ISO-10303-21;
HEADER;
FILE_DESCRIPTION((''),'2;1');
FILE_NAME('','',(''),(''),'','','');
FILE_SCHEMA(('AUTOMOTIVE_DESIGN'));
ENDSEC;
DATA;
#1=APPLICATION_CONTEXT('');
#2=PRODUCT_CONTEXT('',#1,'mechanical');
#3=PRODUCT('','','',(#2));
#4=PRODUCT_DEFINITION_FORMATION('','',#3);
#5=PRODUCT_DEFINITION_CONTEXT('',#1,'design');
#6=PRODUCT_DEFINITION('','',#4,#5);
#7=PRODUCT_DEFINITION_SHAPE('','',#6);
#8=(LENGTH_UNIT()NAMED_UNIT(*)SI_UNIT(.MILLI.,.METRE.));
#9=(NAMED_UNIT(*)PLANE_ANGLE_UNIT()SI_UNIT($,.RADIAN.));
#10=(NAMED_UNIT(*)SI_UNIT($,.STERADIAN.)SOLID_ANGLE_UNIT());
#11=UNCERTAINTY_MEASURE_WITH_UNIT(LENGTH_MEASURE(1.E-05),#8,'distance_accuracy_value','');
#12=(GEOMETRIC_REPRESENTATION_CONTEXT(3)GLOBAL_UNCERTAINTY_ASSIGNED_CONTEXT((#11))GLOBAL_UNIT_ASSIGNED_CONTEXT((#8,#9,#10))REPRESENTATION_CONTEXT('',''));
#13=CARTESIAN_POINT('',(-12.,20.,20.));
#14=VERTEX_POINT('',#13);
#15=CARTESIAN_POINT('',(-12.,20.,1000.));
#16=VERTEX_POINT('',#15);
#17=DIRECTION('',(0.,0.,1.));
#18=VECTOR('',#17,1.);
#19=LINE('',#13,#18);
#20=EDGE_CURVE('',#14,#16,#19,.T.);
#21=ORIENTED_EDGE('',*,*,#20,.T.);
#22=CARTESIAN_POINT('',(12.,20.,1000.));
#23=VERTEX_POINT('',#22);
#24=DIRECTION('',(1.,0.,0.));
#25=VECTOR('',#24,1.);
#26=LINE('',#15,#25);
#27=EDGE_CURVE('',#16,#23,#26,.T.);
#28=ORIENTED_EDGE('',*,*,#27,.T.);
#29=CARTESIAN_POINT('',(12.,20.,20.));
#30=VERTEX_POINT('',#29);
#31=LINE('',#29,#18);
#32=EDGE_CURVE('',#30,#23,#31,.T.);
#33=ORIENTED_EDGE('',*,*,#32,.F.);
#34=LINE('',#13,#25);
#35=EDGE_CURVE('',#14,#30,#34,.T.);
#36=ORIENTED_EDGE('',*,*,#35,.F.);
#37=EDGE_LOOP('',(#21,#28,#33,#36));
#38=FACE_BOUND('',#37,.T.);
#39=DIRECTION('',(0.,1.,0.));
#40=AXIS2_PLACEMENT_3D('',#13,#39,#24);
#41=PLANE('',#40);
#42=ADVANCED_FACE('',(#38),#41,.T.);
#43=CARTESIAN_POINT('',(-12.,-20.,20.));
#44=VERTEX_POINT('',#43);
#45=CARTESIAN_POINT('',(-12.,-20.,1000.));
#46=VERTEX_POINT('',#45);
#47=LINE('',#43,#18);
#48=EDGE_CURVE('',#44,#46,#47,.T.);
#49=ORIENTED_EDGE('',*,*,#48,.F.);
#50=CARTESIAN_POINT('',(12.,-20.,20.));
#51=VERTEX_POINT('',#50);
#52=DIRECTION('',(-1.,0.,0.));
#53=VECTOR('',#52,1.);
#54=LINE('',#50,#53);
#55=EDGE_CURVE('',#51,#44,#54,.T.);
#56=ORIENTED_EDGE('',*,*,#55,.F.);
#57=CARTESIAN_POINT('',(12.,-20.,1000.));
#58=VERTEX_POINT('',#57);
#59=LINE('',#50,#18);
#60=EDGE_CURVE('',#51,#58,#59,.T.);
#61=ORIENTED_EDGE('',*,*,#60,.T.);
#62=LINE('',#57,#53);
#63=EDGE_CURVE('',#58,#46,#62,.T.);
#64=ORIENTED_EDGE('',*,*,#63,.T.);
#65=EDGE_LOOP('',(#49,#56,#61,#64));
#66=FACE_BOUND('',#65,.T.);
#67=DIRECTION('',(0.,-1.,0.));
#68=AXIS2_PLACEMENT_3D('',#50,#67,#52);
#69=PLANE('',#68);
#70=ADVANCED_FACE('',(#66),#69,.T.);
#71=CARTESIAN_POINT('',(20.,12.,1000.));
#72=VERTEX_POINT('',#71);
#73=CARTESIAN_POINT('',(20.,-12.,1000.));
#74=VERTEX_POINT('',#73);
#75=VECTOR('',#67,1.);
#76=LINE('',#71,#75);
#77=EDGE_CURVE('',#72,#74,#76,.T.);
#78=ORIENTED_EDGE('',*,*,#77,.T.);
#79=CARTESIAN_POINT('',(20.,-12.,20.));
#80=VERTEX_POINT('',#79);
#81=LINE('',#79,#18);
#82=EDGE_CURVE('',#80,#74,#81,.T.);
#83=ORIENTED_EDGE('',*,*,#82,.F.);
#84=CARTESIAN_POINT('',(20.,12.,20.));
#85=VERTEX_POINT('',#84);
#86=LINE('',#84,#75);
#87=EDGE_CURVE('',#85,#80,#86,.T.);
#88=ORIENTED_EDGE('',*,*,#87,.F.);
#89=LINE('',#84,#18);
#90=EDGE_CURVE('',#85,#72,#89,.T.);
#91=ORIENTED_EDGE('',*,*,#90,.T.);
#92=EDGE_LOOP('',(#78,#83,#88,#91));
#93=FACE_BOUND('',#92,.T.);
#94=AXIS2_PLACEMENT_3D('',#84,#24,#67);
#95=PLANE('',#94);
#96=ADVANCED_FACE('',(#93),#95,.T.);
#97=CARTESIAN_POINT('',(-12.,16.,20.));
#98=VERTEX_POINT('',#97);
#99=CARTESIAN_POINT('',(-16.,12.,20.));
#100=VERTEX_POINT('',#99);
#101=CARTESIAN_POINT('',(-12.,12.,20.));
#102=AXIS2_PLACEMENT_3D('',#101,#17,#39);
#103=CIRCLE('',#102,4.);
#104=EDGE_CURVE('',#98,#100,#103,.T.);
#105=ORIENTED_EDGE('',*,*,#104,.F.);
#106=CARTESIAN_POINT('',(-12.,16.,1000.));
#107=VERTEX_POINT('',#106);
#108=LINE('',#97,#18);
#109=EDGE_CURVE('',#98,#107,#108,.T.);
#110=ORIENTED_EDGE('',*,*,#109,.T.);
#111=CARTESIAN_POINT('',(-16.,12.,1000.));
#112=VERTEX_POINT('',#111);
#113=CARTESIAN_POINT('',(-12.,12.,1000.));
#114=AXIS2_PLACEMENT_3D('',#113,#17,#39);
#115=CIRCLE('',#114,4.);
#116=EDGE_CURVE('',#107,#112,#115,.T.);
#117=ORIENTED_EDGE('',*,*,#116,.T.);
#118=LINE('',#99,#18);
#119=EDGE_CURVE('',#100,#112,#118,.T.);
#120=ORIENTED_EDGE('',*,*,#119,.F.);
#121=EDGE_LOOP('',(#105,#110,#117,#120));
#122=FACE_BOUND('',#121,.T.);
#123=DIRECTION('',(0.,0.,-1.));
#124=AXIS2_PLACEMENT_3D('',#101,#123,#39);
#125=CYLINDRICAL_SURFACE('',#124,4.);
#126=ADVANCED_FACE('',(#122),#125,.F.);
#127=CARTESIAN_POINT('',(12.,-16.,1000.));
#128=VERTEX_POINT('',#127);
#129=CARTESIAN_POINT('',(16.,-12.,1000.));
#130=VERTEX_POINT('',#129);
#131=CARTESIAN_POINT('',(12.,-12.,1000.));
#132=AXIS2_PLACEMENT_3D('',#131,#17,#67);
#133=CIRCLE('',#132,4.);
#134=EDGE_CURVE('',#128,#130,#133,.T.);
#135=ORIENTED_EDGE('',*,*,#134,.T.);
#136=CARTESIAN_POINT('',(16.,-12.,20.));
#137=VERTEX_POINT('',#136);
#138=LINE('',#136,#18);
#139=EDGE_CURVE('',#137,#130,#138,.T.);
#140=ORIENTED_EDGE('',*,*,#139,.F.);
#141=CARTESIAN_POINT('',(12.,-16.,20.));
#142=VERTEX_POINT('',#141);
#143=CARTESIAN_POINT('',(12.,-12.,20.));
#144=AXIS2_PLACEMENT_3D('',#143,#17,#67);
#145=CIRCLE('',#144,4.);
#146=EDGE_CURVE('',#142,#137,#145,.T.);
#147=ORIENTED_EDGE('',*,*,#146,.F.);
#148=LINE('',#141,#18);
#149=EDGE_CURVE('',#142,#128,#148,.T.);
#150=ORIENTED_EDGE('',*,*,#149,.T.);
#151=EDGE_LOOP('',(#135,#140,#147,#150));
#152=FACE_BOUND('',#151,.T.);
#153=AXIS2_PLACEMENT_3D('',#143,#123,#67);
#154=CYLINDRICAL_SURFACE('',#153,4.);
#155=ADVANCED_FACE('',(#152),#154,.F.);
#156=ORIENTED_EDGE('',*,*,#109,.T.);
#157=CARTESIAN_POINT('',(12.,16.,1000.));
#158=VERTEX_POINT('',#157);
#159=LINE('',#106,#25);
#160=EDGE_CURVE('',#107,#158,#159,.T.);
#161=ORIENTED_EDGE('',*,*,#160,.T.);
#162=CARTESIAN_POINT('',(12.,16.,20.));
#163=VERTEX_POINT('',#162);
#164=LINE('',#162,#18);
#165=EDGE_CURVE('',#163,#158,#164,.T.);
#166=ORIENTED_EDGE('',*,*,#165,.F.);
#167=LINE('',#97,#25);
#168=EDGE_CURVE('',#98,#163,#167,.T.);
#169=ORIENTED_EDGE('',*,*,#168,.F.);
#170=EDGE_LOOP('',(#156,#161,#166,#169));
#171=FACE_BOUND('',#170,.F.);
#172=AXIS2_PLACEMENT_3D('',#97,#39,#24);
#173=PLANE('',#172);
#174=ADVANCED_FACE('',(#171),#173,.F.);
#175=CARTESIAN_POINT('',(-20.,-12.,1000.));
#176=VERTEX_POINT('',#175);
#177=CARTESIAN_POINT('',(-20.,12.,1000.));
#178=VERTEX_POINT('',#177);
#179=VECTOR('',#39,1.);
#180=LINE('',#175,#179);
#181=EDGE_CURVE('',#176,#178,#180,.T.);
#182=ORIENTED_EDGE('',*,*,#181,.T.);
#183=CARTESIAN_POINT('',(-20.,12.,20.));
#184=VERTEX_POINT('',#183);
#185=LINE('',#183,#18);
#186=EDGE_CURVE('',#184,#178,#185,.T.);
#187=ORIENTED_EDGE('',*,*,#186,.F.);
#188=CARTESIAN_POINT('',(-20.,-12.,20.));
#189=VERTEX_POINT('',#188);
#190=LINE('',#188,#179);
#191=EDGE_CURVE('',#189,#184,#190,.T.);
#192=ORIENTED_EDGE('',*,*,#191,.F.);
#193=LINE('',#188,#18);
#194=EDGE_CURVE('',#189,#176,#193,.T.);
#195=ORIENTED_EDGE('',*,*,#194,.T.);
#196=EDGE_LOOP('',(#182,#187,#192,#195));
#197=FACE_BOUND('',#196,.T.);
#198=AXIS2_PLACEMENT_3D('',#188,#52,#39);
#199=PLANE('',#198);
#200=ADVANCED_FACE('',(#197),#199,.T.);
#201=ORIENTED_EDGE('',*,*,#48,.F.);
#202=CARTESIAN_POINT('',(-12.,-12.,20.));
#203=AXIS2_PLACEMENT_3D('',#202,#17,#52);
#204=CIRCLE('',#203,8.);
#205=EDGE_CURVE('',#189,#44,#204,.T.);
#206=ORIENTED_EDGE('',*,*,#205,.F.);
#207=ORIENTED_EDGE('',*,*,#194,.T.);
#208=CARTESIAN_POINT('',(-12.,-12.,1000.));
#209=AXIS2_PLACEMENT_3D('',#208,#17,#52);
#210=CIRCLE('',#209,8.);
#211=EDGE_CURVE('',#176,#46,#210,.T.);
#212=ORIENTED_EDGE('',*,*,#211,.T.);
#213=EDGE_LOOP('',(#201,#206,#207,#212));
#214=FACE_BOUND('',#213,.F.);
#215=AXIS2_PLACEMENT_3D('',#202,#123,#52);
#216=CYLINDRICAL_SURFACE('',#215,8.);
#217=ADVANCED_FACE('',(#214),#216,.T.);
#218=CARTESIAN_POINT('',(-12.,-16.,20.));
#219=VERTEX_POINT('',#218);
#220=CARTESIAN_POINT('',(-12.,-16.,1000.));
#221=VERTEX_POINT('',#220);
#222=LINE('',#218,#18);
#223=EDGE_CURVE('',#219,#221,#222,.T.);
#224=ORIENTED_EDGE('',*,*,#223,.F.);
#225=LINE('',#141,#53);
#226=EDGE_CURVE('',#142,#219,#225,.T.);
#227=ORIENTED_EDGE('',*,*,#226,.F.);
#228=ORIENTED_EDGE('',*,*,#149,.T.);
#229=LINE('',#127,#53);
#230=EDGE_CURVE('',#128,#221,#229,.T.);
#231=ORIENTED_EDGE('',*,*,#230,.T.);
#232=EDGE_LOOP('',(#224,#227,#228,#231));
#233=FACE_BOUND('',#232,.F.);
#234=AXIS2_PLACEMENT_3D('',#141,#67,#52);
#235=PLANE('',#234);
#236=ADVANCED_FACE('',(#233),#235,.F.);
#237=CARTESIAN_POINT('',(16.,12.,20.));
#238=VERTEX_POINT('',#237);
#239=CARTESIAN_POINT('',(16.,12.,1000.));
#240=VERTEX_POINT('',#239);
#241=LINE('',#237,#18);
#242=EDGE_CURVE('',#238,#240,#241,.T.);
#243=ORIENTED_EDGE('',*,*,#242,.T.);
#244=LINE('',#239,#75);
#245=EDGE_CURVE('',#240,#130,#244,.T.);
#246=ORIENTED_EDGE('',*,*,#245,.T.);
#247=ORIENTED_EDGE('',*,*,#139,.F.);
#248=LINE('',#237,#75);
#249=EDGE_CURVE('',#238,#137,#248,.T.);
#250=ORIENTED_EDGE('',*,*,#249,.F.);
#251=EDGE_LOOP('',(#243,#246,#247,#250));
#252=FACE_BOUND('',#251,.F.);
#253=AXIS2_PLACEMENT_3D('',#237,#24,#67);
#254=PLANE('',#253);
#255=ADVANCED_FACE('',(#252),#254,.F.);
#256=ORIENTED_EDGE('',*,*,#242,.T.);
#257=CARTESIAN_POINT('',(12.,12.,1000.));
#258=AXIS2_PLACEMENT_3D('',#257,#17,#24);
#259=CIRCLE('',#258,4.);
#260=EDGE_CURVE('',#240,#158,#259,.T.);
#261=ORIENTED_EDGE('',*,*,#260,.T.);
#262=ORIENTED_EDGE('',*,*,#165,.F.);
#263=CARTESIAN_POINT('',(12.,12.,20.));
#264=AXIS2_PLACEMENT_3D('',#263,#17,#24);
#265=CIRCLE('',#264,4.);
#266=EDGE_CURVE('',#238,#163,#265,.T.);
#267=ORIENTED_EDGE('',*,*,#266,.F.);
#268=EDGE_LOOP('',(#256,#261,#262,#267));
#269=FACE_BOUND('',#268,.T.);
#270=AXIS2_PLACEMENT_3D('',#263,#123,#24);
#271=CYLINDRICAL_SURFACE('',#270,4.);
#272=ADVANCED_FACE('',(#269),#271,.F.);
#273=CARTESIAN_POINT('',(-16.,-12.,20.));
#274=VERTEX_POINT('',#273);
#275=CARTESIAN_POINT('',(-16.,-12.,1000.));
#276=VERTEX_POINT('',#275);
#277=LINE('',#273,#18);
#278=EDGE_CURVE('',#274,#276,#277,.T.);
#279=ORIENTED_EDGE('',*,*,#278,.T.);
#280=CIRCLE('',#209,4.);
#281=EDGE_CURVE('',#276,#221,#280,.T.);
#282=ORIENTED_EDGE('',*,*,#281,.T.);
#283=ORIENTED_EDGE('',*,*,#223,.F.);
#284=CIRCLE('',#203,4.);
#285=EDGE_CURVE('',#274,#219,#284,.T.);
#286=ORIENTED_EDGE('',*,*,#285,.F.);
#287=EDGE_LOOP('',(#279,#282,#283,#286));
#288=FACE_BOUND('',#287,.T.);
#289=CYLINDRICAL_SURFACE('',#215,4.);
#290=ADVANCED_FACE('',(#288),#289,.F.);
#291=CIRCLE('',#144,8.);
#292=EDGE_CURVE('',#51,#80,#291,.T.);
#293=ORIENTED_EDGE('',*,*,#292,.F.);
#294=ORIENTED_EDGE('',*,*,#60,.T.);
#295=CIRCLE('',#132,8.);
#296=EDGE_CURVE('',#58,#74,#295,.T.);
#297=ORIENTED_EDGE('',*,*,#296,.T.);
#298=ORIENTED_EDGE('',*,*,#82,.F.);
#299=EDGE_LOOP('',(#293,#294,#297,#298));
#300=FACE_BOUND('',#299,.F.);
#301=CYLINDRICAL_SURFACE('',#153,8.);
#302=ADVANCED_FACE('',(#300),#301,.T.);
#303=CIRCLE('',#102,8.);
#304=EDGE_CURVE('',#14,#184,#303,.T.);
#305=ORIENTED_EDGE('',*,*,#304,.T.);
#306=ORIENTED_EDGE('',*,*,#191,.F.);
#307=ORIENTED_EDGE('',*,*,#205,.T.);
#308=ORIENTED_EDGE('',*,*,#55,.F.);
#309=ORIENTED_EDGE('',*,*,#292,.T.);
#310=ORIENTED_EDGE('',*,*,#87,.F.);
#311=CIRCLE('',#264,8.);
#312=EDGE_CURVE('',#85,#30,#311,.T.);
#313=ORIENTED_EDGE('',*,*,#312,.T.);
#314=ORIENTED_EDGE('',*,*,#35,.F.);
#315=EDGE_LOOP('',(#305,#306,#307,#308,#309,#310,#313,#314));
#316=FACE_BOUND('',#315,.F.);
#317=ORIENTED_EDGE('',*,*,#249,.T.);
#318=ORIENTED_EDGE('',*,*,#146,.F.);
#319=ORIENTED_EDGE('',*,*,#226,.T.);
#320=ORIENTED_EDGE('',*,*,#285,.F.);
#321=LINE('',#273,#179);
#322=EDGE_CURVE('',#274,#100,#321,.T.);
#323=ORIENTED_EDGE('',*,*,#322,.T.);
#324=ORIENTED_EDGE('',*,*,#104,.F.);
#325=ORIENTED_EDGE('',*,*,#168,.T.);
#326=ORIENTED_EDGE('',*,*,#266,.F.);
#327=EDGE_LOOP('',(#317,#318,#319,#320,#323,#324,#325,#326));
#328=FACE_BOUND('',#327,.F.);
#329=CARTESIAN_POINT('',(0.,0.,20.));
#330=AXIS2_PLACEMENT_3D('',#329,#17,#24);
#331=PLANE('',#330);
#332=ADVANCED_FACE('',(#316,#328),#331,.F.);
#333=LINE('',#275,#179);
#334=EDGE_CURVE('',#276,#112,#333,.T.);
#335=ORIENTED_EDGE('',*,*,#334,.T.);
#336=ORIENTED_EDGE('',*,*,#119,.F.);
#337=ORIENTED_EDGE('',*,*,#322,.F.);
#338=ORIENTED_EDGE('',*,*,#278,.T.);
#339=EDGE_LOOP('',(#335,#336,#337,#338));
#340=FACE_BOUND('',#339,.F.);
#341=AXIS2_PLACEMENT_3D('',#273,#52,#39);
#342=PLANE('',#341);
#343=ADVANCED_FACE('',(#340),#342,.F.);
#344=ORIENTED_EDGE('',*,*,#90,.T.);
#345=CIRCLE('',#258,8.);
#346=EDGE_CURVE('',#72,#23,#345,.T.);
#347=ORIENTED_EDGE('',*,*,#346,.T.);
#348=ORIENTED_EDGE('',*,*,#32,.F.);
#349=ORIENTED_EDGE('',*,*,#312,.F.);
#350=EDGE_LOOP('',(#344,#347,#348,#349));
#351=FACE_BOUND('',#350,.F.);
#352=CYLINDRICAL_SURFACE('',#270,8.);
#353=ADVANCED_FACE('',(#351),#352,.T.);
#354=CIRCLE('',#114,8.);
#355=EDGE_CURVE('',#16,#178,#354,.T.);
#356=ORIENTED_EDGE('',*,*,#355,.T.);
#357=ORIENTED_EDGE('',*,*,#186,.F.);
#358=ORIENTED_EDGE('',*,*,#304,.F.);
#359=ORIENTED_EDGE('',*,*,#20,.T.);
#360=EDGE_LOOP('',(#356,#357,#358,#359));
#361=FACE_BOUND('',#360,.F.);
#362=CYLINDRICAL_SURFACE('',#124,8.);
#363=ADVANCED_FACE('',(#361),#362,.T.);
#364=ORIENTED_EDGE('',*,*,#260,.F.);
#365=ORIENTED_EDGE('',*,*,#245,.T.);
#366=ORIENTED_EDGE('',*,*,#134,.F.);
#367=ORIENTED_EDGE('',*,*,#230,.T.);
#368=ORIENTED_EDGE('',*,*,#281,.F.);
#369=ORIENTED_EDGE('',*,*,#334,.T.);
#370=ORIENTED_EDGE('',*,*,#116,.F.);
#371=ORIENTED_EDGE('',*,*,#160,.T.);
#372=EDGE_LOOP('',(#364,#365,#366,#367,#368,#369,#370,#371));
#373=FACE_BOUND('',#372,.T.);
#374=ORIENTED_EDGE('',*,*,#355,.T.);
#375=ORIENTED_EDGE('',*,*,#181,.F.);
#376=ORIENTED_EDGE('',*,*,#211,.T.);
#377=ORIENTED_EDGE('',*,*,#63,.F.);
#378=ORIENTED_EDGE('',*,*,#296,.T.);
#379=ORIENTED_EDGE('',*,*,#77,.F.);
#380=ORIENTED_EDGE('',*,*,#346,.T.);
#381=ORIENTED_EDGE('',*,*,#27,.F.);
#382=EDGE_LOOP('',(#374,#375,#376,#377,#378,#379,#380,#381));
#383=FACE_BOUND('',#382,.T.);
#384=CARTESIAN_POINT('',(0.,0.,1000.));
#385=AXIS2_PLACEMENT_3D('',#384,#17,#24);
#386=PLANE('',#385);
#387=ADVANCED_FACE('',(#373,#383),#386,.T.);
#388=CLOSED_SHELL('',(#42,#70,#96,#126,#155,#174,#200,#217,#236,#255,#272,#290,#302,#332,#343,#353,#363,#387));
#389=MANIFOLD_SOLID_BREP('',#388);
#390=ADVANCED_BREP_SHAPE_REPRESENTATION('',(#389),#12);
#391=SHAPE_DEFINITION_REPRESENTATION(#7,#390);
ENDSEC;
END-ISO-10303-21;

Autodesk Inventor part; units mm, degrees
ref_plane "Start plane" through (0, 0, 20) normal (0, 0, 1) x (1, 0, 0)
ref_plane "End plane" through (0, 0, 1000) normal (0, 0, 1) x (1, 0, 0)
sketch "Sketch" plane through (0, 0, 0) normal (0, 0, 1) x (1, 0, 0)
  line L0 (-20, -12) -> (-20, 12)
  line L1 (-12, 20) -> (12, 20)
  line L2 (20, 12) -> (20, -12)
  line L3 (12, -20) -> (-12, -20)
  arc A0 (-20, -12) -> (-12, -20) centre (-12, -12) ccw
  arc A1 (-12, 20) -> (-20, 12) centre (-12, 12) ccw
  arc A2 (20, 12) -> (12, 20) centre (12, 12) ccw
  arc A3 (12, -20) -> (20, -12) centre (12, -12) ccw
  arc A4 (-12, 16) -> (-16, 12) centre (-12, 12) ccw
  line L4 (-12, 16) -> (12, 16)
  arc A5 (16, 12) -> (12, 16) centre (12, 12) ccw
  line L5 (16, 12) -> (16, -12)
  arc A6 (12, -16) -> (16, -12) centre (12, -12) ccw
  line L6 (12, -16) -> (-12, -16)
  arc A7 (-16, -12) -> (-12, -16) centre (-12, -12) ccw
  line L7 (-16, -12) -> (-16, 12)
  line L8 (0, 30.3196) -> (0, -30.3196) construction
  line L9 (-30.3196, 0) -> (30.3196, 0) construction
  dimension "d7" = 8
  dimension "d10" = 40
  dimension "d11" = 40
  dimension "d12" = 4
  dimension "d15" = 20
  dimension "d16" = 20
extrude "Body" add sketch "Sketch" along normal up to surface (980 mm away) from surface at 20
sketch "Sketch3" plane through (0, 0, 0) normal (0, 0, 1) x (1, 0, 0)
  line L0 (0, 0) -> (10, 0)
ref_plane "Work Plane3" through (0, 0, 0) normal (0, -1, 0) x (1, 0, 0)
sketch "Sketch4" plane through (0, 0, 0) normal (0, -1, 0) x (1, 0, 0)
  line L0 (-2, 20) -> (12, 20)
  line L1 (-2, 1000) -> (12, 1000)
  dimension "d18" = 980
ref_plane "Work Plane4" through (0, 12, 20) normal (0, 0, -1) x (-1, 0, 0)
split "Split1" plane through (0, 12, 20) removes the side toward (0, 0, -1)
equation "\"d7\" = G_IR"
equation "\"d10\" = G_H"
equation "\"d11\" = G_W"
equation "\"d12\" = G_T"
equation "\"d15\" = 0.5 * d10"
equation "\"d16\" = 0.5 * d11"
equation "\"d3\" = G_L"
equation "\"G_W\" = 40"
equation "\"G_H\" = 40"
equation "\"G_T\" = 4"
equation "\"G_IR\" = 8"
equation "\"G_L\" = d18"
equation "\"G_OFFSET_START\" = -20"
equation "\"G_OFFSET_END\" = 0"
equation "\"d13\" = -G_OFFSET_START"
properties part number "DIN EN 10219-2 - 40 x 40 x 4  - 980" material "Steel, Mild"
